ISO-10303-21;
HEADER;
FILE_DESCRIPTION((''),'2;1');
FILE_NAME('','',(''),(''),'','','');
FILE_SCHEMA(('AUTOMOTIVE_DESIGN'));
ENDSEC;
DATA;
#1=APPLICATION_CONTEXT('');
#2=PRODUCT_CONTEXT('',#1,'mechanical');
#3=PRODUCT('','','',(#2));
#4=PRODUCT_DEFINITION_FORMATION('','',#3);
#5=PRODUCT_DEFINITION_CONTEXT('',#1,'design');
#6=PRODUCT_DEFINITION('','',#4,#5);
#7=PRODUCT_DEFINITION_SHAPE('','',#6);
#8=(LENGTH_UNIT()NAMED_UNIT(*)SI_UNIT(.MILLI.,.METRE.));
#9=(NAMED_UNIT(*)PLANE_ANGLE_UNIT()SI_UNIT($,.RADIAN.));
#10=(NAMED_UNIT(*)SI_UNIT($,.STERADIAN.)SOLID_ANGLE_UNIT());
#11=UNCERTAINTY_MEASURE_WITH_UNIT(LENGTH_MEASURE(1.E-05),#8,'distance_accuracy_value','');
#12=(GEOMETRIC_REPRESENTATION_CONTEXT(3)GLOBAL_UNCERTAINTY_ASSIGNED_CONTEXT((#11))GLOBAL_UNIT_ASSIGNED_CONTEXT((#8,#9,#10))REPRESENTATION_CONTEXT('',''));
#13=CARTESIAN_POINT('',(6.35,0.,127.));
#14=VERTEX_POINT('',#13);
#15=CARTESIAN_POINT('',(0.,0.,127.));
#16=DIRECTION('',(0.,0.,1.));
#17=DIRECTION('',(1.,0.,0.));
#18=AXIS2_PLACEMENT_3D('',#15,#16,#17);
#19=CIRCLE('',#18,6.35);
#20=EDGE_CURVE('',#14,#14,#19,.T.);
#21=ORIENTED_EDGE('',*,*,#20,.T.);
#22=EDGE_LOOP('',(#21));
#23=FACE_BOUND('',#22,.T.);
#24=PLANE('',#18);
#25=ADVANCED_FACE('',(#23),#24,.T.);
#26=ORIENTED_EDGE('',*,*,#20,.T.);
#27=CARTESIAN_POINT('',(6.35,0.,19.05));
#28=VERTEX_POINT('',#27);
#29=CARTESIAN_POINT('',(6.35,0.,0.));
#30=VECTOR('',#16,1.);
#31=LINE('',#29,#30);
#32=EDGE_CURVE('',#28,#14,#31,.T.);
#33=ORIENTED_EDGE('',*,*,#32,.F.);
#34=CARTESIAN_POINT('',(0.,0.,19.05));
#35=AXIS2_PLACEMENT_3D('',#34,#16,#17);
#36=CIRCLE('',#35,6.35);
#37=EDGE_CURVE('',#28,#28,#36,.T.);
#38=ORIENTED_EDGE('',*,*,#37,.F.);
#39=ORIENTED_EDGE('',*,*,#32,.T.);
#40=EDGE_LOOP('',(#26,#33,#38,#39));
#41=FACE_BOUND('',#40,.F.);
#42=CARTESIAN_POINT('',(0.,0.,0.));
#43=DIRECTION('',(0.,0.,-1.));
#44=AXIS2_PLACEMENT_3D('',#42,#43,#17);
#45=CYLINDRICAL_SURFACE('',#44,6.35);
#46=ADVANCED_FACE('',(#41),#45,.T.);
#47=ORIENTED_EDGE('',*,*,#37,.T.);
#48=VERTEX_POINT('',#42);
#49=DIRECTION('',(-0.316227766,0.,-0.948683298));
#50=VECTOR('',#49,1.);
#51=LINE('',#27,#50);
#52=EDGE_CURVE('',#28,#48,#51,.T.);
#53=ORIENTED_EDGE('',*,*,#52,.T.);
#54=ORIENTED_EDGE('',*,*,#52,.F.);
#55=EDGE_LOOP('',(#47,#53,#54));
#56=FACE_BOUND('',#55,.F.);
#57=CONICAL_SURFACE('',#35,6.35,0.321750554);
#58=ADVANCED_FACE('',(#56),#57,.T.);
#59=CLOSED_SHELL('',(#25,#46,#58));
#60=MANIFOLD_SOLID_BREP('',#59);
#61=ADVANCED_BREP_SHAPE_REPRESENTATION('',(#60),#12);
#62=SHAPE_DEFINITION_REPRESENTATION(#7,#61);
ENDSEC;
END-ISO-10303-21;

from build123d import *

# Parameters (mm, degrees)
F0_R     = 6.35
F1_DEPTH = 127
F2_SIZE2 = 6.35
F2_SIZE  = 19.05


with BuildPart() as f1:
    # F0 (on Top) → F1 (new body)
    with BuildSketch(Plane.XY):
        Circle(F0_R)
    extrude(amount=F1_DEPTH)

    # F2
    f2_edges = [f1.edges().sort_by_distance(p)[0] for p in [
        (-6.35, 0, 0),
    ]]
    chamfer(f2_edges, length=F2_SIZE, length2=F2_SIZE2)


solid = f1.part
